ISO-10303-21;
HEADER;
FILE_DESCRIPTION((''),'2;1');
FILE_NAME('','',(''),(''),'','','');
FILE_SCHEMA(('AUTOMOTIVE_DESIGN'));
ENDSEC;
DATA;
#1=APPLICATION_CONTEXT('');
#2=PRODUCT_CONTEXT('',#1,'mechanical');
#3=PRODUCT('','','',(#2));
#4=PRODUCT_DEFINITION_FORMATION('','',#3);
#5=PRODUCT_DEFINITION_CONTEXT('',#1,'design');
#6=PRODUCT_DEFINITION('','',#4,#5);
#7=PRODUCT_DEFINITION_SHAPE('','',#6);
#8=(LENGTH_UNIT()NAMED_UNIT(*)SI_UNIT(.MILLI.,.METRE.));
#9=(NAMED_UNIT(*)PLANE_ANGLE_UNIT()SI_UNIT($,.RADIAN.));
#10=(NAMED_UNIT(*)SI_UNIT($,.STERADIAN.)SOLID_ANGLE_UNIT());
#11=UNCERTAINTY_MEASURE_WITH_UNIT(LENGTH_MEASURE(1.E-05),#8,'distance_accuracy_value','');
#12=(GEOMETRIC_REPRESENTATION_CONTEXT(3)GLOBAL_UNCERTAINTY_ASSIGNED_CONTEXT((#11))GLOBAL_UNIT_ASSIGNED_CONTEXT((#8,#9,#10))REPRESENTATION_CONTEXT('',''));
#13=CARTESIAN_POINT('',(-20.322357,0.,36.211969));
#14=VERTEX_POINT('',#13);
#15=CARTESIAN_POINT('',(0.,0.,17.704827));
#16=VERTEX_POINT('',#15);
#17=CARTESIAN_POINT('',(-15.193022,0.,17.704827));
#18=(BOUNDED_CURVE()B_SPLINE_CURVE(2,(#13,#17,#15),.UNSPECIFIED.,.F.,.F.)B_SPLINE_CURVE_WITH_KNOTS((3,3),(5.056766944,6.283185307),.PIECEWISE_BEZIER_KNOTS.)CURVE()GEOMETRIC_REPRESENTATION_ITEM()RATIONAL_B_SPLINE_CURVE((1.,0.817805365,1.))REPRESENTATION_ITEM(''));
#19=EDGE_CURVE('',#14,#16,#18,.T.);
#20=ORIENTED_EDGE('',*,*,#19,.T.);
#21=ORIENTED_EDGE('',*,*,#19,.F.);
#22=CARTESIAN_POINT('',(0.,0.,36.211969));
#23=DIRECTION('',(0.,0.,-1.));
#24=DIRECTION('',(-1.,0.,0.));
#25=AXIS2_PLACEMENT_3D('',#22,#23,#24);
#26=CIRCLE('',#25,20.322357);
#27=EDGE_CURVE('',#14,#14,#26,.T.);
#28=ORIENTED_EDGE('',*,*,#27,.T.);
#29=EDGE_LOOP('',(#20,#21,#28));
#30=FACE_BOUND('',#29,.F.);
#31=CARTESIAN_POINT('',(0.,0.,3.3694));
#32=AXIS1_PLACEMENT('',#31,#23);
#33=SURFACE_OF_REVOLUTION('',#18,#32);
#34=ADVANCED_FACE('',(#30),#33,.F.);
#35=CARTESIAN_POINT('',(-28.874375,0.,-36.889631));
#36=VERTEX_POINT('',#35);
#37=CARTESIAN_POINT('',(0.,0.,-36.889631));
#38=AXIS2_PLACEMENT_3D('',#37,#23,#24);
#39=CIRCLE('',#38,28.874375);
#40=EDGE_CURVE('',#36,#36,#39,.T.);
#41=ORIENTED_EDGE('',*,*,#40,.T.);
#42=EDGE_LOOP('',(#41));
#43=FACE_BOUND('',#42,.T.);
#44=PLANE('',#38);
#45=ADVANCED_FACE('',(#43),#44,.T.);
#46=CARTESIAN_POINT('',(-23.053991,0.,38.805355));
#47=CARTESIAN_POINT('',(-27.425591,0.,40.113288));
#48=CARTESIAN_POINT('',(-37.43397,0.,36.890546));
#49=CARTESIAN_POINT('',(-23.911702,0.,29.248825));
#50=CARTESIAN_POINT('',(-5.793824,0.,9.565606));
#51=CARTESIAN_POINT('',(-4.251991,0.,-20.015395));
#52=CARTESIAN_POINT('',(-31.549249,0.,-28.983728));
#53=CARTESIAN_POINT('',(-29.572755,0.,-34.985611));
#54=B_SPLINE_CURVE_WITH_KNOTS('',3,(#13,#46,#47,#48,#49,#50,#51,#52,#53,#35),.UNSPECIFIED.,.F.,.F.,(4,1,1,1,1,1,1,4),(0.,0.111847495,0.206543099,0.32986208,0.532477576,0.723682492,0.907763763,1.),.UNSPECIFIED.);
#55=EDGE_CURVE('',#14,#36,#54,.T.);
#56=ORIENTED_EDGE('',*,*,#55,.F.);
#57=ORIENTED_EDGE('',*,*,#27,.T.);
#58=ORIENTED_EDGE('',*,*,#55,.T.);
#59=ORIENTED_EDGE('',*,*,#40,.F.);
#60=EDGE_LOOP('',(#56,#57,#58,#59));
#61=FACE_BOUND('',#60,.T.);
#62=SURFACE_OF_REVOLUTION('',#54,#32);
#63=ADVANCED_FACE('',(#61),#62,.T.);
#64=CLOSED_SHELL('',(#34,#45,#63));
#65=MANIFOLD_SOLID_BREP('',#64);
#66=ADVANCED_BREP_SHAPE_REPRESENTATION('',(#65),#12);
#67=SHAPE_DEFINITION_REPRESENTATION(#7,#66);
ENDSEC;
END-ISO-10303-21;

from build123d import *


with BuildPart() as f1:
    # F0 (on Front) → F1 (revolve)
    with BuildSketch(Plane.XZ):
        with BuildLine():
            Line((-28.8743749261, -36.8896313012), (0, -36.8896313012))
            Line((0, -36.8896313012), (0, 17.7048271871))
            add(Edge.make_bspline(
                [(-20.322356991, 36.2119694513), (-15.1930221217, 17.7048271871), (0, 17.7048271871)],
                knots=[5.0567669442, 5.0567669442, 5.0567669442, 6.2831853072, 6.2831853072, 6.2831853072], degree=2, weights=[1, 0.8178053647, 1]))
            add(Edge.make_bspline(
                [(-20.322356991, 36.2119694513), (-23.0539908294, 38.8053547933), (-27.425591125, 40.1132878763), (-37.4339702075, 36.8905458283), (-23.9117024605, 29.2488253574), (-5.7938237593, 9.5656055449), (-4.2519906464, -20.0153947831), (-31.5492494802, -28.9837278299), (-29.5727547138, -34.9856110325), (-28.8743749261, -36.8896313012)],
                knots=[0, 0, 0, 0, 0.1118474953, 0.2065430995, 0.3298620799, 0.5324775763, 0.7236824921, 0.9077637631, 1, 1, 1, 1], degree=3))
        make_face()
    revolve(axis=Axis((0, 0, 3.3694002777), (0, 0, -1)))


solid = f1.part
